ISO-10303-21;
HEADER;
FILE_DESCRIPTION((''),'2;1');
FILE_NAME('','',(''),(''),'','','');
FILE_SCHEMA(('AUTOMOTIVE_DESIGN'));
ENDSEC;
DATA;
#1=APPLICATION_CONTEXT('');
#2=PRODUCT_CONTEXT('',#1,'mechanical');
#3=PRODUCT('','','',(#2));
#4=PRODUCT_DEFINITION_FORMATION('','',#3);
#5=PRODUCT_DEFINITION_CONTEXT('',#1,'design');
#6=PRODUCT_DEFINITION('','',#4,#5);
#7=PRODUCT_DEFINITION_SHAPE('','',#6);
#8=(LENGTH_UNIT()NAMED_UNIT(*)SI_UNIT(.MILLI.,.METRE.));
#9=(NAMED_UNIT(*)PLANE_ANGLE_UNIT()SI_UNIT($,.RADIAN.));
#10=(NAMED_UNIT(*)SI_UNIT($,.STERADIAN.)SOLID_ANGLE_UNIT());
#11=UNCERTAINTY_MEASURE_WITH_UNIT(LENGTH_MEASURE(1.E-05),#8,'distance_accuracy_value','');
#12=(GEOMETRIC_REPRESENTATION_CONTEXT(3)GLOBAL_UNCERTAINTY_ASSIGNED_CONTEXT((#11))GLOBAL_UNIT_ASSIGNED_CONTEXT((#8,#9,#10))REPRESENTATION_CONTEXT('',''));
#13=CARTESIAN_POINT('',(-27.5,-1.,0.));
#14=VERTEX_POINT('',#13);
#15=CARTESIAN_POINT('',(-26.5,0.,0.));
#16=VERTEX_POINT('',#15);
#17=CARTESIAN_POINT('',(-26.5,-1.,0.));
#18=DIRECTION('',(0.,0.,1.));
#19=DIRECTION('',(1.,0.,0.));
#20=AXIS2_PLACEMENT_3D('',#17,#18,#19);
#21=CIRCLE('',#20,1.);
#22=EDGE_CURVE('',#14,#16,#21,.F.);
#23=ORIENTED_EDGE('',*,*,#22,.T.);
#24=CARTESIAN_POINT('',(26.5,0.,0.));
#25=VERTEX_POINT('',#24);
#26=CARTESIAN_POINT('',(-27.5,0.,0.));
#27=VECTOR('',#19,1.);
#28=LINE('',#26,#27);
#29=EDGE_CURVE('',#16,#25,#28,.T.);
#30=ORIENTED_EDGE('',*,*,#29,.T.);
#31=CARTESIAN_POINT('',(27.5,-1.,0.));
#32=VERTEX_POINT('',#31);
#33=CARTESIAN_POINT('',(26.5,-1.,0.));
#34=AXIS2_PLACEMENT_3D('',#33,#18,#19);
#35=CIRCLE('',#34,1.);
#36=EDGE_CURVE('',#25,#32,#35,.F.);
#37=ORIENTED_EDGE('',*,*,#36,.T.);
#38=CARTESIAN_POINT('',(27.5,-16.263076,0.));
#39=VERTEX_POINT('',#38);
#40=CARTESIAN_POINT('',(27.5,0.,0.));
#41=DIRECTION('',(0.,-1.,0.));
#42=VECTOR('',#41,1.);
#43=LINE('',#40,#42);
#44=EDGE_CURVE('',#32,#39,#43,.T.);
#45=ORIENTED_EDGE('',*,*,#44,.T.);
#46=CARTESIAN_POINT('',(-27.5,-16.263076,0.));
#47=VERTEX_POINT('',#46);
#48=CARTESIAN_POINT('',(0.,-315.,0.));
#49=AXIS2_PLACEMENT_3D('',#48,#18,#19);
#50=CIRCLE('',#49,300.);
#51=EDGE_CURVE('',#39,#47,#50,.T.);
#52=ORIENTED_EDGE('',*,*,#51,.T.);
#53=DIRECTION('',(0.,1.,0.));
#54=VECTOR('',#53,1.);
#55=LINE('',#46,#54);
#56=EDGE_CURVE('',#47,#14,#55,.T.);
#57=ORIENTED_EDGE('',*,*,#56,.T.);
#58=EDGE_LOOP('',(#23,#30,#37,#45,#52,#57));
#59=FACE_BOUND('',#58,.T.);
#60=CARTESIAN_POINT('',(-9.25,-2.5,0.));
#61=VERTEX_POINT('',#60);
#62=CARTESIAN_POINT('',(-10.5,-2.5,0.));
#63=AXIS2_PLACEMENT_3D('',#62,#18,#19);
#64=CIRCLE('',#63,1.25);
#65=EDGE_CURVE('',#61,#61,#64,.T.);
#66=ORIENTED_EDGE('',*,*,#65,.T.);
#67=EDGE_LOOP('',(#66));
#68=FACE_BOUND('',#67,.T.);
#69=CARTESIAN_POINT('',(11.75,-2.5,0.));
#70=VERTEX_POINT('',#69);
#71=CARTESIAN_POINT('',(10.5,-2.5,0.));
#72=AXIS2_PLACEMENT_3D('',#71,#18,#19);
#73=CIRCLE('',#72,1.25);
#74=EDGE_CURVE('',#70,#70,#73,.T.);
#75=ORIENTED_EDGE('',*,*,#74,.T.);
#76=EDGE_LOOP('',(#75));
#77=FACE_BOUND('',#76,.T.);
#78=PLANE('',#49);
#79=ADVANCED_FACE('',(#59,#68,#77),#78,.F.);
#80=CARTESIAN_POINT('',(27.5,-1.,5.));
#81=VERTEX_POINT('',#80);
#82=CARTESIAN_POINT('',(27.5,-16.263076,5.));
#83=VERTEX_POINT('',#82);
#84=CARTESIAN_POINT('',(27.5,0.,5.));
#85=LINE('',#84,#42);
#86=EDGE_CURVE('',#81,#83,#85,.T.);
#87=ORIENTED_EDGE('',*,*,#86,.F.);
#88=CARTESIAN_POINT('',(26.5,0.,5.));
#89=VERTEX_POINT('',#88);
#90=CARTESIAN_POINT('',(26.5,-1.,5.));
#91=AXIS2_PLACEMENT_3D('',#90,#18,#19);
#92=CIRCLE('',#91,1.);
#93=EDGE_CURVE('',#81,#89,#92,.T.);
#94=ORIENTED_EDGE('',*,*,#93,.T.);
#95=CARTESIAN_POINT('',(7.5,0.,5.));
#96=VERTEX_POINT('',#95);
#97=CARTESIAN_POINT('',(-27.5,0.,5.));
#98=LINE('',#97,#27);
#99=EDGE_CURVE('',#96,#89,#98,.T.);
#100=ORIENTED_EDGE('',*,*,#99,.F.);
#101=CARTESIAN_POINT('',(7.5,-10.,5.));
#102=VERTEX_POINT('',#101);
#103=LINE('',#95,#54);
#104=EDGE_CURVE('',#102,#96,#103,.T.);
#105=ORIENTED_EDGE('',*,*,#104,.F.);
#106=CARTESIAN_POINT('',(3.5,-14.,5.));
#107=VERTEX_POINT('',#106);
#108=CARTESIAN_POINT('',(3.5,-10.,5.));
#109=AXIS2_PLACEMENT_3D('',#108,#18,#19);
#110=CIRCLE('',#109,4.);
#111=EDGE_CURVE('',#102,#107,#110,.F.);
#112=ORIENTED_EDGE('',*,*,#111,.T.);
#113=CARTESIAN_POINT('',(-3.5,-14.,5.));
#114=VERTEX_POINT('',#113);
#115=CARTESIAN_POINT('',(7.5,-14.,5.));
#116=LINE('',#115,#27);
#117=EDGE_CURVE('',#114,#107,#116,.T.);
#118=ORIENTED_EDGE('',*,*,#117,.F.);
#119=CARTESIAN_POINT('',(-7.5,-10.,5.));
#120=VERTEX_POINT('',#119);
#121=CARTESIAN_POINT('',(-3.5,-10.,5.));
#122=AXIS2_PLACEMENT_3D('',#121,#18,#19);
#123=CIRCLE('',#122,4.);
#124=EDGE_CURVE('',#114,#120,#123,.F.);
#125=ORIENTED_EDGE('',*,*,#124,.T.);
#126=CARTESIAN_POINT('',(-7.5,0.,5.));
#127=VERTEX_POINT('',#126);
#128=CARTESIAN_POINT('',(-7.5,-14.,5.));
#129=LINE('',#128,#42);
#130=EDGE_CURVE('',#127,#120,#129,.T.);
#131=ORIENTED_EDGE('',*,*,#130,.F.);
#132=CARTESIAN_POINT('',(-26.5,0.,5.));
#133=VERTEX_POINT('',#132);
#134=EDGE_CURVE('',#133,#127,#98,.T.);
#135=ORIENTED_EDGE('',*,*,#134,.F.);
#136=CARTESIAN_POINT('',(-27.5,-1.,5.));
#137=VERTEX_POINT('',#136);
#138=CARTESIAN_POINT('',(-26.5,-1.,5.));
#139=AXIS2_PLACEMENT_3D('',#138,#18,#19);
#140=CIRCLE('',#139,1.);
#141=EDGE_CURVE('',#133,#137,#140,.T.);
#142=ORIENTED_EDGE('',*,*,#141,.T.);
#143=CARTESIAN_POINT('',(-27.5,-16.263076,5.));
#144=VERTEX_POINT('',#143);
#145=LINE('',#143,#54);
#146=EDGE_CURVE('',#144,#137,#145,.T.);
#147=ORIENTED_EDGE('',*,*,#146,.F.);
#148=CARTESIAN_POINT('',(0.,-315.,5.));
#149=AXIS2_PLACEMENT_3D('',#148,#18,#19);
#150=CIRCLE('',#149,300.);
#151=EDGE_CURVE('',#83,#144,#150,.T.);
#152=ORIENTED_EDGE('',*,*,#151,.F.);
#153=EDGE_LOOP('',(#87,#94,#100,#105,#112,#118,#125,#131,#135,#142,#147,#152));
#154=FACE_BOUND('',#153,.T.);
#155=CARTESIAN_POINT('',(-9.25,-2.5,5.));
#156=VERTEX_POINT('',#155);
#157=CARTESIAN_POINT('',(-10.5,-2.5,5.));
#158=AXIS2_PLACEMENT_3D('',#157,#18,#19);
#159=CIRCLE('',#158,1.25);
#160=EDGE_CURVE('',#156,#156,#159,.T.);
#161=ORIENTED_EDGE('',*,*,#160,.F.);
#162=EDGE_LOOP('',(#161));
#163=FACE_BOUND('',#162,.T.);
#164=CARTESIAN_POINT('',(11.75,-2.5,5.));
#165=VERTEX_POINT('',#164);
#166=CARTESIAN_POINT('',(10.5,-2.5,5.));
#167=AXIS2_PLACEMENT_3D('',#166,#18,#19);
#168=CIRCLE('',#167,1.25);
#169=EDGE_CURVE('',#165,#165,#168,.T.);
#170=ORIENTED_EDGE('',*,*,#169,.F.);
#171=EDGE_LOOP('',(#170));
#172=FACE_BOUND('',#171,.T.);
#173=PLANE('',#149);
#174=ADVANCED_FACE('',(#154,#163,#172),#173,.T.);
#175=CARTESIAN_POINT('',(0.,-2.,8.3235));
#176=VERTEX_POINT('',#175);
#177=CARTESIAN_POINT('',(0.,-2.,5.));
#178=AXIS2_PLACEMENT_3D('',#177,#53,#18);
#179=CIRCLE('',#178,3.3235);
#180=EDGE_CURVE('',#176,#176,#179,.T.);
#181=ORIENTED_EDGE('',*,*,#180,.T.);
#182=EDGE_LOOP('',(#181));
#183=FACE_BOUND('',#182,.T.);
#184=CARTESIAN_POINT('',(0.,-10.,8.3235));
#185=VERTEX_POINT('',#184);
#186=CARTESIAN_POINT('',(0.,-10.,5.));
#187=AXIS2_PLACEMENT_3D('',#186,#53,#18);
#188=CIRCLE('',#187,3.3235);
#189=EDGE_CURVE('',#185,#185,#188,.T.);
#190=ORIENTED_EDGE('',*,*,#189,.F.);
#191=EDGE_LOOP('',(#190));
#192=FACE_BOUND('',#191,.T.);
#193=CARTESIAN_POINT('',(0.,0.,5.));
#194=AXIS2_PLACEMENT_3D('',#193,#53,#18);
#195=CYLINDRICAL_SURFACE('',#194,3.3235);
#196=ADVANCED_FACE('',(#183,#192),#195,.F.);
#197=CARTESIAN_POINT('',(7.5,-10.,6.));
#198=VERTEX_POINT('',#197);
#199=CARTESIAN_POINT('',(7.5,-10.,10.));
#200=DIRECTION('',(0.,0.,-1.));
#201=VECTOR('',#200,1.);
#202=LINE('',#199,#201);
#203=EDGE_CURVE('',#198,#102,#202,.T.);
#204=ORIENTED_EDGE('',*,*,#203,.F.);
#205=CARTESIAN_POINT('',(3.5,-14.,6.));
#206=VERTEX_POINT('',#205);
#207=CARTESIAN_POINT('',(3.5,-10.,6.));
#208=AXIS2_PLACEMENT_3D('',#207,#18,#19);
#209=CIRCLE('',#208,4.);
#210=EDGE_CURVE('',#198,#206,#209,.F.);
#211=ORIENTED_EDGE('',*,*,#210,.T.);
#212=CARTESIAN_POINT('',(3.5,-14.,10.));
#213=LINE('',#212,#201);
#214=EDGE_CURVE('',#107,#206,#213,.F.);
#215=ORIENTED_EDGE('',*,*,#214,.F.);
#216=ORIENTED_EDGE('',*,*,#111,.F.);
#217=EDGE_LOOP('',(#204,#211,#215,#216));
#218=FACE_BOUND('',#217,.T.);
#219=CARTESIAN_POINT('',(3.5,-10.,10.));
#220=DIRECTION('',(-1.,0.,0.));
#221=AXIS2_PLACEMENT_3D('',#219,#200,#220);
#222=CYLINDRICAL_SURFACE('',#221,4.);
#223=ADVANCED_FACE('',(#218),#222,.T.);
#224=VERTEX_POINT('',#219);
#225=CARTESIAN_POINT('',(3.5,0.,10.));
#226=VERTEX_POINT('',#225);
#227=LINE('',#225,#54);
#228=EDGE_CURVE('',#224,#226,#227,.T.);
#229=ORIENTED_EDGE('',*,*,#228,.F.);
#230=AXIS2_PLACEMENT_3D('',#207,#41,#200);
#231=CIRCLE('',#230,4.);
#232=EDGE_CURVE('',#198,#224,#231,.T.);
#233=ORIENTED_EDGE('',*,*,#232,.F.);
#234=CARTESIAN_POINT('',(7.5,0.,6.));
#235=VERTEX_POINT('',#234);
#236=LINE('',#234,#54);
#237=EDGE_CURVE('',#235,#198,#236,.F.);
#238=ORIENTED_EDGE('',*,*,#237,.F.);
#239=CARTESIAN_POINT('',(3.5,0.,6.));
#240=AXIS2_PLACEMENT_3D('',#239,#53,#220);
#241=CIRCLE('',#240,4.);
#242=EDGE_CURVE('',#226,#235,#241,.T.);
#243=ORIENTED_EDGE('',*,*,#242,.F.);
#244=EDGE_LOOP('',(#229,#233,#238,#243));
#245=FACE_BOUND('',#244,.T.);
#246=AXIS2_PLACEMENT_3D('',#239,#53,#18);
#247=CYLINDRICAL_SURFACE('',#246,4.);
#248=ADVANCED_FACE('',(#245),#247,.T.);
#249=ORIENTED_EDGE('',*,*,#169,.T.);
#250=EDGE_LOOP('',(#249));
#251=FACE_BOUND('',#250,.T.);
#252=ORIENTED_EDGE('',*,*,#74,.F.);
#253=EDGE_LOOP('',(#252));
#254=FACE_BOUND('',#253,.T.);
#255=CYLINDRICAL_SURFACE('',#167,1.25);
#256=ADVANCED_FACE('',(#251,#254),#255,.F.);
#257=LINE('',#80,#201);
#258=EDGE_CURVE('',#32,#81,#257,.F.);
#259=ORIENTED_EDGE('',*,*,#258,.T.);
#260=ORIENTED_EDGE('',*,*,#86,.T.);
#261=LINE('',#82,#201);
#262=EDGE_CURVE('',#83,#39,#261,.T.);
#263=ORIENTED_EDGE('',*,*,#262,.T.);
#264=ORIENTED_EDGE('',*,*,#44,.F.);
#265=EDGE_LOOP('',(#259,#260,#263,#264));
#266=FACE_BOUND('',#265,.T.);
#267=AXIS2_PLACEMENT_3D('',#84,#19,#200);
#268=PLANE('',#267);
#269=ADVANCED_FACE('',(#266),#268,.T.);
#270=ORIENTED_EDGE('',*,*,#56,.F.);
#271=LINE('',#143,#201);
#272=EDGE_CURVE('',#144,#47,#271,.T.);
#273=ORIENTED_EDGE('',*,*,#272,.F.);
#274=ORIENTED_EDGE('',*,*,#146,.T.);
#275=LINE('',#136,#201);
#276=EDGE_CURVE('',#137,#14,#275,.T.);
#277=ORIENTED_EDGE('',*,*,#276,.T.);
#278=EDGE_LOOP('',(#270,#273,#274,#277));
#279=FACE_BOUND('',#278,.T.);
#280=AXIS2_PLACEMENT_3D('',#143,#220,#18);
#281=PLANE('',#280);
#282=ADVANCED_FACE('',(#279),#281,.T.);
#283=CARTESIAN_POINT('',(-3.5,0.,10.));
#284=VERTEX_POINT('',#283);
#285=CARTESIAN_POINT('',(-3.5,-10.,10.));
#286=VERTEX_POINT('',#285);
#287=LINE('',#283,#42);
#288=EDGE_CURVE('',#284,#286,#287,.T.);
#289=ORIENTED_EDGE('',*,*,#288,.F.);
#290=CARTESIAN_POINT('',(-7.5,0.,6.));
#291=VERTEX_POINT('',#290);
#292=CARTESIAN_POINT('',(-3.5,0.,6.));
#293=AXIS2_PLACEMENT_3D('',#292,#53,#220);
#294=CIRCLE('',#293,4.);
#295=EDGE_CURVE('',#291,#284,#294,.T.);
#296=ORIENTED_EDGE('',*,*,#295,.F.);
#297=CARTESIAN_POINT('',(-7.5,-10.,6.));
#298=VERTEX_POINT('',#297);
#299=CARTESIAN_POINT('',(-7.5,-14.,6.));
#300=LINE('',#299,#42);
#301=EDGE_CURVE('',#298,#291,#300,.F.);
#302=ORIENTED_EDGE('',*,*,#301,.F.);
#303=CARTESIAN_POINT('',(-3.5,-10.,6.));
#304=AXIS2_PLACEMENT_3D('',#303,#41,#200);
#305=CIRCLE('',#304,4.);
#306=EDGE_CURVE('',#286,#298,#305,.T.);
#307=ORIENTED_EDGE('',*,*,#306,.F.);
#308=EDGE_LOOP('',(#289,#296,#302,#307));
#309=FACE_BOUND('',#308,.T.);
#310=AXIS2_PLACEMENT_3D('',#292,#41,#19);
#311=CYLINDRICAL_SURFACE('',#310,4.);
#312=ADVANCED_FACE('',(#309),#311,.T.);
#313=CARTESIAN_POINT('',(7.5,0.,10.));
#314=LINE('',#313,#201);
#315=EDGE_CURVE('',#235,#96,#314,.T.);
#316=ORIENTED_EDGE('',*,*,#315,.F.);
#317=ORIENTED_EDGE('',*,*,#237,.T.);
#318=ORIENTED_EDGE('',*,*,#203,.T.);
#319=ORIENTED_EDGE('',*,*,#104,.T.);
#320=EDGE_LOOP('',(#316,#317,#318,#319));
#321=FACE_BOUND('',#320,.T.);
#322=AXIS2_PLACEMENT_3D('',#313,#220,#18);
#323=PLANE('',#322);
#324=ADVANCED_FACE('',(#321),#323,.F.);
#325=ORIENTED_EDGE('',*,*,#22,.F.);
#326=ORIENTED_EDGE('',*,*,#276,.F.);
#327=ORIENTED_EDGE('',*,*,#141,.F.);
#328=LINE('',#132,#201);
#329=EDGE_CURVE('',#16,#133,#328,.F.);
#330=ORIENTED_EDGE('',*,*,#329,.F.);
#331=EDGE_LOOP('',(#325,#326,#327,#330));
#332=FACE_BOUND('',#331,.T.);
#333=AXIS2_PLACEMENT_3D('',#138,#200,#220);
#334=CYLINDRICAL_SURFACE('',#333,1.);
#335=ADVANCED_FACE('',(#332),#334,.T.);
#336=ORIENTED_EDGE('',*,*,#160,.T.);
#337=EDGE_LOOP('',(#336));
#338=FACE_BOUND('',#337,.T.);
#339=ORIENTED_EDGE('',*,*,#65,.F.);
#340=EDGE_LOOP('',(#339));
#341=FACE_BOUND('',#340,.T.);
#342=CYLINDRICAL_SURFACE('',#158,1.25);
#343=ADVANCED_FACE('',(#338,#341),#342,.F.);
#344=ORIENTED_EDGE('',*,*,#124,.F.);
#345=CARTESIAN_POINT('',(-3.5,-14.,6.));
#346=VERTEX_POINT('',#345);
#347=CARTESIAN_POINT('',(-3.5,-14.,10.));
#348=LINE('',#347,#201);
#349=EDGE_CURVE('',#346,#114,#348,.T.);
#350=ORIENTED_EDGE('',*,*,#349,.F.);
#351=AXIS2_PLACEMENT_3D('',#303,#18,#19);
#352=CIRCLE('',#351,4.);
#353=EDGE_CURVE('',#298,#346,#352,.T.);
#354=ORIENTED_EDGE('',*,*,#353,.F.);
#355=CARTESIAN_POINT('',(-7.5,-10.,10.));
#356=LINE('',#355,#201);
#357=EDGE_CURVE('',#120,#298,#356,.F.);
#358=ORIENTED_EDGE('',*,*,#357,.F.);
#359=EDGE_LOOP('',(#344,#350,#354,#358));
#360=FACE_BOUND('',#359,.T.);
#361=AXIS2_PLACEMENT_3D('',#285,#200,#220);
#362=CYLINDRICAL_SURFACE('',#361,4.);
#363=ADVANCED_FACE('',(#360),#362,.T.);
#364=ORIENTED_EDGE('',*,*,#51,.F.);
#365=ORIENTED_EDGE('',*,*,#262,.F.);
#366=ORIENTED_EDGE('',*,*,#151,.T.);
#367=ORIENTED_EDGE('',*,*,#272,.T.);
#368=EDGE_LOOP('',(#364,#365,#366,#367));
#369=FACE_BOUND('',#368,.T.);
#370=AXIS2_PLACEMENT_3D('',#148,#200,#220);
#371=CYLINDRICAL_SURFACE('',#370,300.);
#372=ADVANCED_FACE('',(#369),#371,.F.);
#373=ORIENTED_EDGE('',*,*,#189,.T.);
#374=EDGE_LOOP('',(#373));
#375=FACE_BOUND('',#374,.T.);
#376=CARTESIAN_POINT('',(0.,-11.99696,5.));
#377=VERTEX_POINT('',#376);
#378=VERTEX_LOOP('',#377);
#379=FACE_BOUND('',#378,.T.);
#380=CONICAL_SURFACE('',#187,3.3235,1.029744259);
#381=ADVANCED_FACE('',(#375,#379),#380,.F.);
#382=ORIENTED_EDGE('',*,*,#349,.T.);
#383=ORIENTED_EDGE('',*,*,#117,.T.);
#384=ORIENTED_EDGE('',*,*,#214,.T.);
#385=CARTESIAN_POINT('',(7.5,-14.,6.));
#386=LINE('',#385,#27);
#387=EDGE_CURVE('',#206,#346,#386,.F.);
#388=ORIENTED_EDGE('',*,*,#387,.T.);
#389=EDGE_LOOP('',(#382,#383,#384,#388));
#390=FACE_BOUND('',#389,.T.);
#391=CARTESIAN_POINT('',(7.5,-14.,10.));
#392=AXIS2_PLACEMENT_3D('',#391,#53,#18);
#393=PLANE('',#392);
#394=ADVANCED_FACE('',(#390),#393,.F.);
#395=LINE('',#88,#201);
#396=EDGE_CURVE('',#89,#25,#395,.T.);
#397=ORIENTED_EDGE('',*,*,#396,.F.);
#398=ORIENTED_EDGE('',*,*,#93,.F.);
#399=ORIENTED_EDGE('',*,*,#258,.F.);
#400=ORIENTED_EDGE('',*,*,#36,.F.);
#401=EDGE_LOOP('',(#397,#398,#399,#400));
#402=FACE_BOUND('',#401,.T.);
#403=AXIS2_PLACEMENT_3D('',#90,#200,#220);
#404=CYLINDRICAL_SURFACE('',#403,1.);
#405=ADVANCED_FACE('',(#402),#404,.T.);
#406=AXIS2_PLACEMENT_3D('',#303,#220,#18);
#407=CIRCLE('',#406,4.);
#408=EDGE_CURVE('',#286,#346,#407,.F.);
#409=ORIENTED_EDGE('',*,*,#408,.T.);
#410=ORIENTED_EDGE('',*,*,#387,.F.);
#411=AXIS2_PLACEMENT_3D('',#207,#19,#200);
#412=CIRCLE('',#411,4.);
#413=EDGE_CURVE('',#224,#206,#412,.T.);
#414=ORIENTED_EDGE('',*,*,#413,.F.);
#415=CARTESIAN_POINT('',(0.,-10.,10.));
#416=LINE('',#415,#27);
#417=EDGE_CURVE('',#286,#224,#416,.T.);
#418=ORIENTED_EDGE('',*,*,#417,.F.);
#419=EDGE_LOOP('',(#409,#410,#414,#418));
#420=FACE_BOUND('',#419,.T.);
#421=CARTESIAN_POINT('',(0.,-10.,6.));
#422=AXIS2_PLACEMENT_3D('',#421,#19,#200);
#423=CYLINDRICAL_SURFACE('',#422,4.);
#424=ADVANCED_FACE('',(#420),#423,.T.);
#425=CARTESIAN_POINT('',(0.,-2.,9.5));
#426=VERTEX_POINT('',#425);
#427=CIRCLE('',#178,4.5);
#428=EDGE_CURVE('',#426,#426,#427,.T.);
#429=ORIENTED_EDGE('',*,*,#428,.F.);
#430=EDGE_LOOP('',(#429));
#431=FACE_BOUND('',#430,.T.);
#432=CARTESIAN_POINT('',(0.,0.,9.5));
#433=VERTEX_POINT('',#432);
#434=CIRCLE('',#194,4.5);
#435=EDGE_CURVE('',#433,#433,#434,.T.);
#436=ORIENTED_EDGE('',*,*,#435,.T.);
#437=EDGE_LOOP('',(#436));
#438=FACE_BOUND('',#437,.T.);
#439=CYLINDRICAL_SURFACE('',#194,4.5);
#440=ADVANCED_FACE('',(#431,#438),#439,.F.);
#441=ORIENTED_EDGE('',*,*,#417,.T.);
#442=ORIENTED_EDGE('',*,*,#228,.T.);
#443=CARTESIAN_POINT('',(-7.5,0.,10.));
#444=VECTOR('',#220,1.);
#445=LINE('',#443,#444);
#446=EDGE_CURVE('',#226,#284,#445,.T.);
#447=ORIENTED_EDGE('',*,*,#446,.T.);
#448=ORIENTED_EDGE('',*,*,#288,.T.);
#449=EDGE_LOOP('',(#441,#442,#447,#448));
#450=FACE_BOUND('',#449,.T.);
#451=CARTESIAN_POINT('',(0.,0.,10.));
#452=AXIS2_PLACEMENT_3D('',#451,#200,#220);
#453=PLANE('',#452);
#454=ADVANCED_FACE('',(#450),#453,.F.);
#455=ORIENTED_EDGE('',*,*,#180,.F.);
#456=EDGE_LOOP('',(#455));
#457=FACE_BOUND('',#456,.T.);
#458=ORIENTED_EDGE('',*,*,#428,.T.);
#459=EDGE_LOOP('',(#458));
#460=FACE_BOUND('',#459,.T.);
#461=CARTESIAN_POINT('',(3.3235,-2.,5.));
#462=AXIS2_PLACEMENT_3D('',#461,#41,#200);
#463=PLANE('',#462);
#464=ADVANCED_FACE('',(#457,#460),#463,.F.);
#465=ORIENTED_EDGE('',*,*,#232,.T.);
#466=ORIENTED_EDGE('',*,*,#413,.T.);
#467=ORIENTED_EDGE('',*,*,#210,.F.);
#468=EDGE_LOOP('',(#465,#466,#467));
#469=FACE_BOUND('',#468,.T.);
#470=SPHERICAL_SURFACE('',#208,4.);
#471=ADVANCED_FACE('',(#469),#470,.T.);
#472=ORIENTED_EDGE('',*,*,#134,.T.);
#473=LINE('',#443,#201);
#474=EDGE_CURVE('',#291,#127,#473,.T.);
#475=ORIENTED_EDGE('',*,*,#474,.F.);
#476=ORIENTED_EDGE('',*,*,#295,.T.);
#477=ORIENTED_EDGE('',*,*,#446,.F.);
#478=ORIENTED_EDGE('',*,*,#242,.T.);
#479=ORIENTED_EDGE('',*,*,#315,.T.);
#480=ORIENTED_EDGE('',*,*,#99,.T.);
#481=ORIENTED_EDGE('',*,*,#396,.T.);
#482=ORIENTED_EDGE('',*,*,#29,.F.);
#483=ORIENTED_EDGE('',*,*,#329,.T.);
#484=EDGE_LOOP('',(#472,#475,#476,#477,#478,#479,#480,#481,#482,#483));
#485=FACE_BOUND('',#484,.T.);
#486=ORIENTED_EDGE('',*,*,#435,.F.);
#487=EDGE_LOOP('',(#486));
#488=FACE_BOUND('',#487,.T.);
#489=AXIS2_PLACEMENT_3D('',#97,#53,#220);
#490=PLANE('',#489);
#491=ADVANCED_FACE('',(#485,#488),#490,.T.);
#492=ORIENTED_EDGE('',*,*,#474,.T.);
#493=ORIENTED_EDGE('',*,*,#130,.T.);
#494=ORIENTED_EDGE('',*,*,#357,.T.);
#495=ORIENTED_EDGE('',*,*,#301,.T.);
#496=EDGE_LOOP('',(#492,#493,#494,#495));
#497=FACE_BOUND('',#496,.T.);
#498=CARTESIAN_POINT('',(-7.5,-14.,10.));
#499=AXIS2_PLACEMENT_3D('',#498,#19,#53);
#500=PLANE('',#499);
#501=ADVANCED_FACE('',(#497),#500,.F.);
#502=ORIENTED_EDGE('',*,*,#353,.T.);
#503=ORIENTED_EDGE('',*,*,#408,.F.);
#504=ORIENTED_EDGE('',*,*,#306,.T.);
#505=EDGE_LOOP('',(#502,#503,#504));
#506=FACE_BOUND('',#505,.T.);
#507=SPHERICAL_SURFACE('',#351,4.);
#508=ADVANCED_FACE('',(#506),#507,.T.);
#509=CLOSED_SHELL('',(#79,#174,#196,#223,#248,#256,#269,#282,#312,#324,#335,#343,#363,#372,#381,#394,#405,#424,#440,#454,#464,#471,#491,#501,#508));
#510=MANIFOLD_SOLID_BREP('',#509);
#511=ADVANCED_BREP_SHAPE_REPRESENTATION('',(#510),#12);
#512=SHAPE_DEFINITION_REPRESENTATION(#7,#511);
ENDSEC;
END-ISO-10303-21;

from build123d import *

# Parameters (mm, degrees)
BOSS_EXTRUDE1_DEPTH                     = 5
SKETCH4_W                               = 15
SKETCH4_H                               = 14
BOSS_EXTRUDE2_DEPTH                     = 5
CBORE_FOR_M6_HEX_HEAD_BOLT1_D           = 6.647
CBORE_FOR_M6_HEX_HEAD_BOLT1_DEPTH       = 10
CBORE_FOR_M6_HEX_HEAD_BOLT1_CBORE_D     = 9
CBORE_FOR_M6_HEX_HEAD_BOLT1_CBORE_DEPTH = 2
CBORE_FOR_M6_HEX_HEAD_BOLT1_TIP         = 1.996960267
FILLET1_R                               = 1
FILLET2_R                               = 4
TAP_DRILL_FOR_M3X0_5_TAP1_D             = 2.5


with BuildPart() as part:
    # Sketch1 → Boss-Extrude1 (new body)
    with BuildSketch(Plane(origin=(0, 0, 0), x_dir=(-1, 0, 0), z_dir=(0, 0, -1))):
        with BuildLine():
            Line((27.500000074, -16.263075607), (27.500000074, 0))
            Line((27.500000074, 0), (-27.5, 0))
            Line((-27.5, 0), (-27.5, -16.2630756))
            ThreePointArc((-27.5, -16.2630756), (3.7e-08, -15), (27.500000074, -16.263075607))
        make_face()
    extrude(amount=-BOSS_EXTRUDE1_DEPTH)

    # Sketch4 → Boss-Extrude2 (add)
    with BuildSketch(Plane.XY.offset(5)):
        with Locations((0, -7)):
            Rectangle(SKETCH4_W, SKETCH4_H)
    extrude(amount=BOSS_EXTRUDE2_DEPTH)

    # CBORE for M6 Hex Head Bolt1
    with Locations(Plane(origin=(0, 0, 0), x_dir=(1, 0, 0), z_dir=(0, 1, 0))):
        with Locations((0, -5)):
            CounterBoreHole(CBORE_FOR_M6_HEX_HEAD_BOLT1_D / 2, CBORE_FOR_M6_HEX_HEAD_BOLT1_CBORE_D / 2, CBORE_FOR_M6_HEX_HEAD_BOLT1_CBORE_DEPTH, depth=CBORE_FOR_M6_HEX_HEAD_BOLT1_DEPTH)
            with Locations((0, 0, -(CBORE_FOR_M6_HEX_HEAD_BOLT1_DEPTH + CBORE_FOR_M6_HEX_HEAD_BOLT1_TIP / 2))):  # 118° drill point
                Cone(0, CBORE_FOR_M6_HEX_HEAD_BOLT1_D / 2, CBORE_FOR_M6_HEX_HEAD_BOLT1_TIP, mode=Mode.SUBTRACT)

    # Fillet1
    fillet1_edges = [part.edges().sort_by_distance(p)[0] for p in [
        (27.5, 0, 2.5),
        (-27.500000074, 0, 2.5),
    ]]
    fillet(fillet1_edges, radius=FILLET1_R)

    # Fillet2
    fillet2_edges = [part.edges().sort_by_distance(p)[0] for p in [
        (7.5, -14, 7.5),
        (7.5, -7, 10),
        (-7.5, -14, 7.5),
        (0, -14, 10),
        (-7.5, -7, 10),
    ]]
    fillet(fillet2_edges, radius=FILLET2_R)

    # Tap Drill for M3x0.5 Tap1 (through all)
    with Locations(Plane(origin=(-10.5, -2.5, 5), x_dir=(1, 0, 0), z_dir=(0, 0, 1))):
        with Locations((0, 0), (21, 0)):
            Hole(TAP_DRILL_FOR_M3X0_5_TAP1_D / 2)


solid = part.part
